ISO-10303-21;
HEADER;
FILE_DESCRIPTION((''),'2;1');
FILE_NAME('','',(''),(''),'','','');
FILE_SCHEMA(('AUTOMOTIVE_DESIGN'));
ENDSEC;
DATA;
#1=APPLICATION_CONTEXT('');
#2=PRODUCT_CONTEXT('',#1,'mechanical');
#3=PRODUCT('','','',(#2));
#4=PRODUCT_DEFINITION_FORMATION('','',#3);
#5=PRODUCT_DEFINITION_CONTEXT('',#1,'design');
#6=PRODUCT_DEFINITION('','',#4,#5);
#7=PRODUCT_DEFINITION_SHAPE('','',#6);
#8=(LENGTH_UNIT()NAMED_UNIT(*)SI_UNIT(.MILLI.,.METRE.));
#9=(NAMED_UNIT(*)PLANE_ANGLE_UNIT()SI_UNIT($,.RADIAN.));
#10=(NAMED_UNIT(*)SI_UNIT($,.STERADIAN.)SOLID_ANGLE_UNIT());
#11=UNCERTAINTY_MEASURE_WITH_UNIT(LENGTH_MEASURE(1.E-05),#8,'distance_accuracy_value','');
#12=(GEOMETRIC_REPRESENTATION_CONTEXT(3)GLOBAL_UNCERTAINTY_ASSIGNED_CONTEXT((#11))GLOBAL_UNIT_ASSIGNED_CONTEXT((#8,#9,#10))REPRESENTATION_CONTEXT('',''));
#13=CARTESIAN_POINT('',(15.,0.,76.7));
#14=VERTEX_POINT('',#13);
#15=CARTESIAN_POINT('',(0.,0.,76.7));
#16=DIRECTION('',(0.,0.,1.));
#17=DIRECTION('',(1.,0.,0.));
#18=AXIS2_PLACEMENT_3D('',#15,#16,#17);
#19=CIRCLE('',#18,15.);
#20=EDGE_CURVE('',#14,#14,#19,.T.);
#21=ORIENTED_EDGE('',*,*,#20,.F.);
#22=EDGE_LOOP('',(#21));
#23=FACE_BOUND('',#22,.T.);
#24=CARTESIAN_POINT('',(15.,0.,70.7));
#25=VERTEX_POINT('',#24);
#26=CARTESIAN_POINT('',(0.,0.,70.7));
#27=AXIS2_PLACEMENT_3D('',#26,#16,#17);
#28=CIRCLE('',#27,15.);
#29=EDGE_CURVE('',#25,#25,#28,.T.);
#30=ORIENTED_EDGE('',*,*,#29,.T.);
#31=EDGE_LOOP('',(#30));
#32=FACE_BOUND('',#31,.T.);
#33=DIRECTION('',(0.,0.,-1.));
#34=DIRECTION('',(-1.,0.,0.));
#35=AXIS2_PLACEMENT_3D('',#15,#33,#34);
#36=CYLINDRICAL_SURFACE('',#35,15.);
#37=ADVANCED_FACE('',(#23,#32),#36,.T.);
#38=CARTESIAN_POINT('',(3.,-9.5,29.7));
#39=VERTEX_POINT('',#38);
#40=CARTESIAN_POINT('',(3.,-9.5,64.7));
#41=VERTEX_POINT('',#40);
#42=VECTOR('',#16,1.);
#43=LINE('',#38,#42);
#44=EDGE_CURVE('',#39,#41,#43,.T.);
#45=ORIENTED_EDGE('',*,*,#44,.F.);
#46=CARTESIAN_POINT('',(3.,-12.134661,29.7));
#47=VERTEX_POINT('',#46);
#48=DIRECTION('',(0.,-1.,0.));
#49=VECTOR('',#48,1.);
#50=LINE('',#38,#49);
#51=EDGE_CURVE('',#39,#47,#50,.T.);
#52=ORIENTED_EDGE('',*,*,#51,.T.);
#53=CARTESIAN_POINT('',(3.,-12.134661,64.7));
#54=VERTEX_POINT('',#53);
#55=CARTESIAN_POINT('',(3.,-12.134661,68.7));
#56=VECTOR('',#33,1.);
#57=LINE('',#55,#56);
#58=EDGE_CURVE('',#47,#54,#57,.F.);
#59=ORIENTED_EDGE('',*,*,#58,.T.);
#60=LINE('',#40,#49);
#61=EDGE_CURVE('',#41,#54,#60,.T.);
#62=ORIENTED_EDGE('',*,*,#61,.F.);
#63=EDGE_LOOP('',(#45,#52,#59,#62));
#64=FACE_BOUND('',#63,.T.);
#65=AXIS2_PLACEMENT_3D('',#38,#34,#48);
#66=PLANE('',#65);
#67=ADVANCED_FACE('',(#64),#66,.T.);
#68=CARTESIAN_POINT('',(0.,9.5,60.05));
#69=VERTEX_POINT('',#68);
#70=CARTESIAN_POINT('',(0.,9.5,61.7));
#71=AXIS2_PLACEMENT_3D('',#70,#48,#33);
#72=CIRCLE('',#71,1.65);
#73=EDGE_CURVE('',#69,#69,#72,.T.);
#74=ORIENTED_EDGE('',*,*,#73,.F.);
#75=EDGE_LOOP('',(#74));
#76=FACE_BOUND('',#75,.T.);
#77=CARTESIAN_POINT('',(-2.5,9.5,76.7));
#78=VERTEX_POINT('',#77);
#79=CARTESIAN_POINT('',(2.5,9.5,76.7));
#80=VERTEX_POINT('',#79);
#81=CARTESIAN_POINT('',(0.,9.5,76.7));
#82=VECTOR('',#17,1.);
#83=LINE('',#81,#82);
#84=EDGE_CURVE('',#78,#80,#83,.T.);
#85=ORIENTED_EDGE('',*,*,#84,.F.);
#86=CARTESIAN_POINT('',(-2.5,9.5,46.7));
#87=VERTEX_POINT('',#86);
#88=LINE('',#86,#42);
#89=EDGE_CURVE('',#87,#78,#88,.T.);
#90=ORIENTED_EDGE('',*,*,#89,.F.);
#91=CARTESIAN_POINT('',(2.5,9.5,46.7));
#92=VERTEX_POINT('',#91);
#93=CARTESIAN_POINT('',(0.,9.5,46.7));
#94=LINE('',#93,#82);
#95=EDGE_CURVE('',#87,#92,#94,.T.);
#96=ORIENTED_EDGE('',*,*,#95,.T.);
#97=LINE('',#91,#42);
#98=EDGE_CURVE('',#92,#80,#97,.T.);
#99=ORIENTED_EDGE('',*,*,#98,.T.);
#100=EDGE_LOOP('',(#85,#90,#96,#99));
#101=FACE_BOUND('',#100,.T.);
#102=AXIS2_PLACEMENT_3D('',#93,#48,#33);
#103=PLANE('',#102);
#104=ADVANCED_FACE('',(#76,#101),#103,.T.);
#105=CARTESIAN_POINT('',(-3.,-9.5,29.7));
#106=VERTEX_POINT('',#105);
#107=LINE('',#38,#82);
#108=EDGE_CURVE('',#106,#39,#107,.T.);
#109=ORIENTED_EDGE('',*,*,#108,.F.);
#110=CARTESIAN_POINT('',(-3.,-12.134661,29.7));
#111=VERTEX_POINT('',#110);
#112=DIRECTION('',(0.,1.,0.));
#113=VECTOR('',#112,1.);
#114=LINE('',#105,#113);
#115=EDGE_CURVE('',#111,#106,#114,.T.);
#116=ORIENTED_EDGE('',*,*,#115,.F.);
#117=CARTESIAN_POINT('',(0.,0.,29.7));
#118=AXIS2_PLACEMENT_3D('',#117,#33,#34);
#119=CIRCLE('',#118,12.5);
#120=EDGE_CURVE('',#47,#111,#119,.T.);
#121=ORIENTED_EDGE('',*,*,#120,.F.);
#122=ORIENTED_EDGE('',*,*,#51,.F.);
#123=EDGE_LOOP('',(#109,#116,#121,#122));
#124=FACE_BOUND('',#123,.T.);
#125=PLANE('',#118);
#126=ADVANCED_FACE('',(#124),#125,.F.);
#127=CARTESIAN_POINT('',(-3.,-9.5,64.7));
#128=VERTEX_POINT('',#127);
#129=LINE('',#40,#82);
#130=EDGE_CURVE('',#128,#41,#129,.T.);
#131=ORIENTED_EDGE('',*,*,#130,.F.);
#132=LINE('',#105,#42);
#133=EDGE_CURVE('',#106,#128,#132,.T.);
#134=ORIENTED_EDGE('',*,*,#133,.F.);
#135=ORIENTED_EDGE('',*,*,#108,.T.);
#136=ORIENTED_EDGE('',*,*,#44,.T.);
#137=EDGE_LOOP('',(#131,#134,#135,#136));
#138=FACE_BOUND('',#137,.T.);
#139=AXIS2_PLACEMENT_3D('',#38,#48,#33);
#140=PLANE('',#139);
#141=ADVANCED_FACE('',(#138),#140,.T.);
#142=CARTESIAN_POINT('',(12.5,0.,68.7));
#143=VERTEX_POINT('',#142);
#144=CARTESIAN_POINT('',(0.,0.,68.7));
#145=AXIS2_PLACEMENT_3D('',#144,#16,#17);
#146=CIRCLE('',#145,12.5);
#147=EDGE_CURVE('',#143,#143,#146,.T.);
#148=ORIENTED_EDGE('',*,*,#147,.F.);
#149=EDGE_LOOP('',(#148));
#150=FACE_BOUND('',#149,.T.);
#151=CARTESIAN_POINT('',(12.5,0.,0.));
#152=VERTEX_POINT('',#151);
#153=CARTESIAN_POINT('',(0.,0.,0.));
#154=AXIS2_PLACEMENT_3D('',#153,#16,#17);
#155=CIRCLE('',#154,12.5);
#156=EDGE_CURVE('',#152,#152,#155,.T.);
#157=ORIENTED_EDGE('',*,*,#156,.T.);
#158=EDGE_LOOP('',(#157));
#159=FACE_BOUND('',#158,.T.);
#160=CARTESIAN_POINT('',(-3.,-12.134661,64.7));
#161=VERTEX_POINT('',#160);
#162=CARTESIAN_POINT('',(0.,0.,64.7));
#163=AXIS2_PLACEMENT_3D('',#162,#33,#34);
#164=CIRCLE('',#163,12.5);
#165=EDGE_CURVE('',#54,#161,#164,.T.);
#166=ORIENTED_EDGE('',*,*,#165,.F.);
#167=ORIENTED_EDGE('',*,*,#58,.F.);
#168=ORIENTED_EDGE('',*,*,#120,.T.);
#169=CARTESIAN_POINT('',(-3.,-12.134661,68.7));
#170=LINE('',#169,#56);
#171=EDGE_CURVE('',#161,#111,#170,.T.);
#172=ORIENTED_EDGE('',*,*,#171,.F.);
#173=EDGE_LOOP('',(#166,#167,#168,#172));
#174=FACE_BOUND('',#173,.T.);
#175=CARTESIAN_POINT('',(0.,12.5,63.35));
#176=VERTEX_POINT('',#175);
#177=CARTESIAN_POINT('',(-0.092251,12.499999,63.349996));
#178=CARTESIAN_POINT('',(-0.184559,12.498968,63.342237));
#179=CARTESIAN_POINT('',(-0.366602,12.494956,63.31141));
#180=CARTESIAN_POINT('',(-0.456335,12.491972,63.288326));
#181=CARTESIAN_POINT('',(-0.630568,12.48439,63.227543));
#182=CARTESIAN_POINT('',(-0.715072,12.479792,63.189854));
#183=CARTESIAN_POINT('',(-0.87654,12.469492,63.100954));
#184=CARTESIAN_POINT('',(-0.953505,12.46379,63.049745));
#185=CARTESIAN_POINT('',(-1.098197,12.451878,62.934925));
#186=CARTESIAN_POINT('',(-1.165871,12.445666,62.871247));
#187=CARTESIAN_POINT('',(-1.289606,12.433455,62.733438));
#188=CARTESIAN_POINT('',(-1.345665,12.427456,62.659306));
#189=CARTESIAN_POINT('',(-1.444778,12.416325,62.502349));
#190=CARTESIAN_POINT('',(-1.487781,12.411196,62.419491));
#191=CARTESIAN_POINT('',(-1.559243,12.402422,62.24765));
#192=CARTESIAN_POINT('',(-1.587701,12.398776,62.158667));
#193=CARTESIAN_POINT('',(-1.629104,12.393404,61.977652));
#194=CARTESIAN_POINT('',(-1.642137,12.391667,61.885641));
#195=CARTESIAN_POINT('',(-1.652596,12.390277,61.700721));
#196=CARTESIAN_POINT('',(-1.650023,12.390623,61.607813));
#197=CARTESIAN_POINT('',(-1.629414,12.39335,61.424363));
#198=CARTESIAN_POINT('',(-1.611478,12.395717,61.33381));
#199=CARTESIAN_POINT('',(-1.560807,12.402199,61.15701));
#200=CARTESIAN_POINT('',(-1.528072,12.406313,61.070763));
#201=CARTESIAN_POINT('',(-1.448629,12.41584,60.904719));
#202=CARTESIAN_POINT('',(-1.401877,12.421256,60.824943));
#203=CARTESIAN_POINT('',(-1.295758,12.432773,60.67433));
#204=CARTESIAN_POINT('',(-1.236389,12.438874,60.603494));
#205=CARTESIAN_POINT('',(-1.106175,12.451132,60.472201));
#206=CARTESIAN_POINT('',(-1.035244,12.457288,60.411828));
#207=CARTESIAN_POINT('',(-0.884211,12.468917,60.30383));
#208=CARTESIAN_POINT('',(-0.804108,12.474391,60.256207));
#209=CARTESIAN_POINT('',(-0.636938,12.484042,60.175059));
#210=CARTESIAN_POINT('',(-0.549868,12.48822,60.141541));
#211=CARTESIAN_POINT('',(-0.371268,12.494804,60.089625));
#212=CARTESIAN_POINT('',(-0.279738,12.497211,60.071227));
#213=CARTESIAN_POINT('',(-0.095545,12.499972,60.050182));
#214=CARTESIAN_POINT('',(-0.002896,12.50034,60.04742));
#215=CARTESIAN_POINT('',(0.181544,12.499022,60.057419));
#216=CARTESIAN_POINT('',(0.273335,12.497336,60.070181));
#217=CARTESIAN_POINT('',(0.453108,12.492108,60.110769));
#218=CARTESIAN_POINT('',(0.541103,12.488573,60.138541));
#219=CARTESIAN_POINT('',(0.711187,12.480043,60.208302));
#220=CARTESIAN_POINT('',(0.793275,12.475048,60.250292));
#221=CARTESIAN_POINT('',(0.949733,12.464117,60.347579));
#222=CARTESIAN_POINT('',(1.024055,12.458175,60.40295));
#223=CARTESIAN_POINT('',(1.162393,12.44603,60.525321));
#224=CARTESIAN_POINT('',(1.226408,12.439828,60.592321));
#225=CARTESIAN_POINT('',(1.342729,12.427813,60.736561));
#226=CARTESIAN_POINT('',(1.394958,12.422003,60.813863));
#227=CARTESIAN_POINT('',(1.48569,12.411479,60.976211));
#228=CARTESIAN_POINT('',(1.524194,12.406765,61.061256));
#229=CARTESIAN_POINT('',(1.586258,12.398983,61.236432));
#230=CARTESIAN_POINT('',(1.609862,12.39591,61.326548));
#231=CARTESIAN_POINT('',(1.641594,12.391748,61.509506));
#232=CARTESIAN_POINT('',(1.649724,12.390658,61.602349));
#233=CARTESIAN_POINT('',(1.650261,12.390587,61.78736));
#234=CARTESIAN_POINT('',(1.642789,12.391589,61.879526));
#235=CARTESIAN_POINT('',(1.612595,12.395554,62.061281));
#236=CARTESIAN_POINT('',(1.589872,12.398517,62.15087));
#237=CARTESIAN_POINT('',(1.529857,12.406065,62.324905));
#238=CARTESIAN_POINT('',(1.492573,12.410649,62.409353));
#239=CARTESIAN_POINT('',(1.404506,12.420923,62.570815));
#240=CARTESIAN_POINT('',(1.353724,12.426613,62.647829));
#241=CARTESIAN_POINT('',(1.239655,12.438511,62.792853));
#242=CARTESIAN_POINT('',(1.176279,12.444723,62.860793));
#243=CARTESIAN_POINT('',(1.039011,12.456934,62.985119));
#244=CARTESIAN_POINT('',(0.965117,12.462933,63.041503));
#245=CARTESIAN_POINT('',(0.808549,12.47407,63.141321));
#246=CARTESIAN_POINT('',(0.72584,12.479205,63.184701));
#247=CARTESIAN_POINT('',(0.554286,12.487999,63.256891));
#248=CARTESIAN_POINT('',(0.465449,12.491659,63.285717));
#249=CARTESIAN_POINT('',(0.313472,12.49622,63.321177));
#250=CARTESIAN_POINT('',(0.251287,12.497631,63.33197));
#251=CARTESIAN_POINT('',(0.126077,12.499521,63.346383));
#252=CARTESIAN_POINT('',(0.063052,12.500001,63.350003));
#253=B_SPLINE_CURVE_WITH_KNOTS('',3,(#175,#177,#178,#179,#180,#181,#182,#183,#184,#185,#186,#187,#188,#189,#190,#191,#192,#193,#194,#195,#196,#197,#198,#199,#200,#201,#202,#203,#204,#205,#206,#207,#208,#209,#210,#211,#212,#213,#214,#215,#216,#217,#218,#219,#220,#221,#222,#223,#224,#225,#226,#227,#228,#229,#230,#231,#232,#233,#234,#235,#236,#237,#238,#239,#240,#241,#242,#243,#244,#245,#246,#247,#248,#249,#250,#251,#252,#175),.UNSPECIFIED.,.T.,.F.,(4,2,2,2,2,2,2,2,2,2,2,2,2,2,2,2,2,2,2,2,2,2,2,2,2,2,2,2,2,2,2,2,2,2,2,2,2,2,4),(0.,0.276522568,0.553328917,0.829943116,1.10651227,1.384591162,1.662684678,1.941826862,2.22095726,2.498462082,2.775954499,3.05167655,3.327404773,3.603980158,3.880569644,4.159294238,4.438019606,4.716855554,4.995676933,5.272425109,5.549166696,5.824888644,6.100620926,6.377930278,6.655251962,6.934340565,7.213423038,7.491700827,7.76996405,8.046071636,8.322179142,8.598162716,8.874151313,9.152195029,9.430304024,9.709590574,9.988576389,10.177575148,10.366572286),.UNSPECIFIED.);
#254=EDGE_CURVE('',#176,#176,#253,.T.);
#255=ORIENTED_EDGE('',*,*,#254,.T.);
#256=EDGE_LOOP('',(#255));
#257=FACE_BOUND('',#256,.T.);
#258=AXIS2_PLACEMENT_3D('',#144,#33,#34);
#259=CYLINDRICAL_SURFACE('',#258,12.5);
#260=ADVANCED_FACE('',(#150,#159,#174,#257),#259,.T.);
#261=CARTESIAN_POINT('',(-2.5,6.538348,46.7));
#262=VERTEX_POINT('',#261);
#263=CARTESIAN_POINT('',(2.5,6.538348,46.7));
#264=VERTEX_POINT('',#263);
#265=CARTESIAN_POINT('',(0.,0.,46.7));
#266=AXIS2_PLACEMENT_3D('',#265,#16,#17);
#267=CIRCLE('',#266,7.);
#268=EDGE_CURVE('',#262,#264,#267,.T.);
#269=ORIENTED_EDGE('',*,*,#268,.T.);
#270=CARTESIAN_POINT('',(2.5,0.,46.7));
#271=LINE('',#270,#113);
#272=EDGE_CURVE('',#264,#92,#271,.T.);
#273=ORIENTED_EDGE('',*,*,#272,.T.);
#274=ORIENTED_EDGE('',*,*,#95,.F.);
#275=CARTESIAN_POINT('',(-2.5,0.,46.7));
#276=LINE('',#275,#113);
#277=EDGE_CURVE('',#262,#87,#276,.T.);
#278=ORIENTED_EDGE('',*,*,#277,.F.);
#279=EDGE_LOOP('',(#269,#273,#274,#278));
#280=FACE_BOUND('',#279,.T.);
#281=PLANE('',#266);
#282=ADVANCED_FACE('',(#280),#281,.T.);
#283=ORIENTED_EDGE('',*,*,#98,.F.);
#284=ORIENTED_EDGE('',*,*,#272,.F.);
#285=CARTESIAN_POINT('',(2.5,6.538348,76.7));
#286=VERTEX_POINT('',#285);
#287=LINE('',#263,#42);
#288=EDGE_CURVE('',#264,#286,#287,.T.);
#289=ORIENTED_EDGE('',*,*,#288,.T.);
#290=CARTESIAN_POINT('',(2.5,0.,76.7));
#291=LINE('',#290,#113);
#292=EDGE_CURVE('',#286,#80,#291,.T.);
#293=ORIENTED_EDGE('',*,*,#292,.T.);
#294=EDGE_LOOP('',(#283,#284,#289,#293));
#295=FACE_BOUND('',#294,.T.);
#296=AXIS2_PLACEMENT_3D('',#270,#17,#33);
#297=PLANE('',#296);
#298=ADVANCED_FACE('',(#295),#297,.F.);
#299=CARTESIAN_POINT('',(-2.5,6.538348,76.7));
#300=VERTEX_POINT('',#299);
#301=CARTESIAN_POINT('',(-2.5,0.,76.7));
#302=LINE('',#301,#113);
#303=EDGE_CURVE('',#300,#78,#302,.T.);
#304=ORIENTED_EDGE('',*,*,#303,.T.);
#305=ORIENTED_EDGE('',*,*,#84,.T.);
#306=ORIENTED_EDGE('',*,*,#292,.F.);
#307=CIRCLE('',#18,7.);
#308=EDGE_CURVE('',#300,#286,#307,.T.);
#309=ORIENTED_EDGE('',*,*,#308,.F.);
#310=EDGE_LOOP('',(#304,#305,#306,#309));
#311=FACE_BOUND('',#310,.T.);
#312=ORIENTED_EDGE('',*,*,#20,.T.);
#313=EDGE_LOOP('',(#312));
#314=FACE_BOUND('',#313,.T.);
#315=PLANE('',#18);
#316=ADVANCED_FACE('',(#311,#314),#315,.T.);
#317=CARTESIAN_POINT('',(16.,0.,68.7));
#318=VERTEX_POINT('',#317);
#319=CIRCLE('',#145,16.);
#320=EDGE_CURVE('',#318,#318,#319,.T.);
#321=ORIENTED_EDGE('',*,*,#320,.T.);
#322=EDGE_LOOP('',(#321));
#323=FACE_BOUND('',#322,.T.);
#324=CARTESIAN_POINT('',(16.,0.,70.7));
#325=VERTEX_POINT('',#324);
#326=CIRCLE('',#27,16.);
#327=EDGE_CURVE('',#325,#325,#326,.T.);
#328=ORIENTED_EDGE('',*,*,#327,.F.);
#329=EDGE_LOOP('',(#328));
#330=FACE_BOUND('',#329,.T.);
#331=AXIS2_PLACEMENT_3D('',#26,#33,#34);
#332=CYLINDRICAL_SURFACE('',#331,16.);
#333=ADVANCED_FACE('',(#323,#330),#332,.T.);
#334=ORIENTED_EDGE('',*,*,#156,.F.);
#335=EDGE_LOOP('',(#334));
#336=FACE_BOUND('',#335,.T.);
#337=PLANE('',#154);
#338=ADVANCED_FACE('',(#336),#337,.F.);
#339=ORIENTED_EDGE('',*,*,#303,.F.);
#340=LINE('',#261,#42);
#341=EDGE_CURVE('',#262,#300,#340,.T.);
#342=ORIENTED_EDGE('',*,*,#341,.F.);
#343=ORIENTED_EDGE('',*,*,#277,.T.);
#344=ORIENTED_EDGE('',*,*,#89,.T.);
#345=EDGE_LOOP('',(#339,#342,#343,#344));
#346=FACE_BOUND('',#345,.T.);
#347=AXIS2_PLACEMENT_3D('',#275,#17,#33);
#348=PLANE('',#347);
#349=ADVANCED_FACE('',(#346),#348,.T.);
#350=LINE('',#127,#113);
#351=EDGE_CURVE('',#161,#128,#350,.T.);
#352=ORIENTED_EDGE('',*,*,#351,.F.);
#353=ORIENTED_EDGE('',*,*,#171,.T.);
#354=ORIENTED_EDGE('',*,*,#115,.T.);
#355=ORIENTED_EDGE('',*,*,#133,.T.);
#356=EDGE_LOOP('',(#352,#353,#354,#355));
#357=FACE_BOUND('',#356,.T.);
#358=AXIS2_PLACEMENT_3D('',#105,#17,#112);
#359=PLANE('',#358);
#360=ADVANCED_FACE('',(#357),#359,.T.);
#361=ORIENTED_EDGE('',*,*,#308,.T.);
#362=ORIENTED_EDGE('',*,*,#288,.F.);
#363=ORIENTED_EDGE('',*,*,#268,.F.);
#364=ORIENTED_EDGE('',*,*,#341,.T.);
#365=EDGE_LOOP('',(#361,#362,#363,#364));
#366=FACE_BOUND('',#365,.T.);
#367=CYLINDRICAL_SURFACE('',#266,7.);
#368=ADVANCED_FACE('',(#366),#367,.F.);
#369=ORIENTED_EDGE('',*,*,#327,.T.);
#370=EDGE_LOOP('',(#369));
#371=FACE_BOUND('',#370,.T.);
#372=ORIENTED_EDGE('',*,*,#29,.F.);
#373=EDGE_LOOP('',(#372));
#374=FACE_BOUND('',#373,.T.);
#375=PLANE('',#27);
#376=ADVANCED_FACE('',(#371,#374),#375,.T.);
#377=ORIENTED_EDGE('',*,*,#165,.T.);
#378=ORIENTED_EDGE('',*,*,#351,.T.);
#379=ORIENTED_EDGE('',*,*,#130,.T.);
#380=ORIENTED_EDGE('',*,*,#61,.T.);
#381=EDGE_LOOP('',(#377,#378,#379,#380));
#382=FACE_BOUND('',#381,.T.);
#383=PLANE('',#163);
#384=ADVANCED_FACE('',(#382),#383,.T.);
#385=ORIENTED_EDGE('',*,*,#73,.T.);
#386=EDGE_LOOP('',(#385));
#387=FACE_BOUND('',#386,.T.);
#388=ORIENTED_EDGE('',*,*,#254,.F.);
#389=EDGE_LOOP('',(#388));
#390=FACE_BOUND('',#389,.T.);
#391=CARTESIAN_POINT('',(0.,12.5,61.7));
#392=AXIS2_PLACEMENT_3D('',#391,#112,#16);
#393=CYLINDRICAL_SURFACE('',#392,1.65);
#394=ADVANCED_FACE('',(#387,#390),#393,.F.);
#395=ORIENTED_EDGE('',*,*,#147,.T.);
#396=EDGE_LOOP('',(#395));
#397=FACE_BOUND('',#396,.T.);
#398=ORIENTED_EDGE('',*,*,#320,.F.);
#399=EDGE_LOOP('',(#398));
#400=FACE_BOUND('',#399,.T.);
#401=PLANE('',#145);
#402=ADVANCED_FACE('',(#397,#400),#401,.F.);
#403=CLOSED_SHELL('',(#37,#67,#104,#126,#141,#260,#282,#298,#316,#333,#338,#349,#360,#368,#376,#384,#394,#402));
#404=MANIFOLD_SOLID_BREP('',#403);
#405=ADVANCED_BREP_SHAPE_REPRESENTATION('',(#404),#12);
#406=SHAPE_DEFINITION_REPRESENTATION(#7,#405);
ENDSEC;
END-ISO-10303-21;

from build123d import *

# Parameters (mm, degrees)
SKETCH1_R                 = 12.5
BOSS_EXTRUDE1_DEPTH       = 68.7
SKETCH2_R                 = 16
BOSS_EXTRUDE2_DEPTH       = 2
SKETCH3_R                 = 15
BOSS_EXTRUDE3_DEPTH       = 6
CUT_EXTRUDE1_DEPTH        = 30
SKETCH6_W                 = 6
SKETCH6_H                 = 6
CUT_EXTRUDE2_DEPTH        = 35
M4X0_7_TAPPED_HOLE1_D     = 3.3
M4X0_7_TAPPED_HOLE1_DEPTH = 3


with BuildPart() as part:
    # Sketch1 → Boss-Extrude1 (new body)
    with BuildSketch(Plane.XY):
        Circle(SKETCH1_R)
    extrude(amount=BOSS_EXTRUDE1_DEPTH)

    # Sketch2 → Boss-Extrude2 (add)
    with BuildSketch(Plane.XY.offset(68.7)):
        Circle(SKETCH2_R)
    extrude(amount=BOSS_EXTRUDE2_DEPTH)

    # Sketch3 → Boss-Extrude3 (add)
    with BuildSketch(Plane.XY.offset(70.7)):
        Circle(SKETCH3_R)
    extrude(amount=BOSS_EXTRUDE3_DEPTH)

    # Sketch4 → Cut-Extrude1 (cut)
    with BuildSketch(Plane.XY.offset(76.7)):
        with BuildLine():
            Line((-2.5, 6.538348415), (-2.5, 4.5))
            Line((-2.5, 4.5), (2.5, 4.5))
            Line((2.5, 4.5), (2.5, 6.538348415))
            ThreePointArc((2.5, 6.538348415), (0, 7), (-2.5, 6.538348415))
        make_face()
        with BuildLine():
            Line((2.5, 4.5), (-2.5, 4.5))
            Line((-2.5, 4.5), (-2.5, 6.538348415))
            ThreePointArc((-2.5, 6.538348415), (-3.968626967, -5.766281297), (7, 0))
            ThreePointArc((7, 0), (5.766281297, 3.968626967), (2.5, 6.538348415))
            Line((2.5, 6.538348415), (2.5, 4.5))
        make_face()
        with BuildLine():
            Line((-2.5, 9.5), (-2.5, 6.538348415))
            ThreePointArc((-2.5, 6.538348415), (0, 7), (2.5, 6.538348415))
            Line((2.5, 6.538348415), (2.5, 9.5))
            Line((2.5, 9.5), (-2.5, 9.5))
        make_face()
    extrude(amount=-CUT_EXTRUDE1_DEPTH, mode=Mode.SUBTRACT)

    # Sketch6 → Cut-Extrude2 (cut)
    with BuildSketch(Plane(origin=(0, 0, 64.7), x_dir=(-1, 0, 0), z_dir=(0, 0, -1))):
        with Locations((0, -12.5)):
            Rectangle(SKETCH6_W, SKETCH6_H)
    extrude(amount=CUT_EXTRUDE2_DEPTH, mode=Mode.SUBTRACT)

    # M4x0.7 Tapped Hole1
    with Locations(Plane(origin=(0, 12.5, 0), x_dir=(1, 0, 0), z_dir=(0, 1, 0))):
        with Locations((0, -61.7)):
            Hole(M4X0_7_TAPPED_HOLE1_D / 2, depth=M4X0_7_TAPPED_HOLE1_DEPTH)


solid = part.part
